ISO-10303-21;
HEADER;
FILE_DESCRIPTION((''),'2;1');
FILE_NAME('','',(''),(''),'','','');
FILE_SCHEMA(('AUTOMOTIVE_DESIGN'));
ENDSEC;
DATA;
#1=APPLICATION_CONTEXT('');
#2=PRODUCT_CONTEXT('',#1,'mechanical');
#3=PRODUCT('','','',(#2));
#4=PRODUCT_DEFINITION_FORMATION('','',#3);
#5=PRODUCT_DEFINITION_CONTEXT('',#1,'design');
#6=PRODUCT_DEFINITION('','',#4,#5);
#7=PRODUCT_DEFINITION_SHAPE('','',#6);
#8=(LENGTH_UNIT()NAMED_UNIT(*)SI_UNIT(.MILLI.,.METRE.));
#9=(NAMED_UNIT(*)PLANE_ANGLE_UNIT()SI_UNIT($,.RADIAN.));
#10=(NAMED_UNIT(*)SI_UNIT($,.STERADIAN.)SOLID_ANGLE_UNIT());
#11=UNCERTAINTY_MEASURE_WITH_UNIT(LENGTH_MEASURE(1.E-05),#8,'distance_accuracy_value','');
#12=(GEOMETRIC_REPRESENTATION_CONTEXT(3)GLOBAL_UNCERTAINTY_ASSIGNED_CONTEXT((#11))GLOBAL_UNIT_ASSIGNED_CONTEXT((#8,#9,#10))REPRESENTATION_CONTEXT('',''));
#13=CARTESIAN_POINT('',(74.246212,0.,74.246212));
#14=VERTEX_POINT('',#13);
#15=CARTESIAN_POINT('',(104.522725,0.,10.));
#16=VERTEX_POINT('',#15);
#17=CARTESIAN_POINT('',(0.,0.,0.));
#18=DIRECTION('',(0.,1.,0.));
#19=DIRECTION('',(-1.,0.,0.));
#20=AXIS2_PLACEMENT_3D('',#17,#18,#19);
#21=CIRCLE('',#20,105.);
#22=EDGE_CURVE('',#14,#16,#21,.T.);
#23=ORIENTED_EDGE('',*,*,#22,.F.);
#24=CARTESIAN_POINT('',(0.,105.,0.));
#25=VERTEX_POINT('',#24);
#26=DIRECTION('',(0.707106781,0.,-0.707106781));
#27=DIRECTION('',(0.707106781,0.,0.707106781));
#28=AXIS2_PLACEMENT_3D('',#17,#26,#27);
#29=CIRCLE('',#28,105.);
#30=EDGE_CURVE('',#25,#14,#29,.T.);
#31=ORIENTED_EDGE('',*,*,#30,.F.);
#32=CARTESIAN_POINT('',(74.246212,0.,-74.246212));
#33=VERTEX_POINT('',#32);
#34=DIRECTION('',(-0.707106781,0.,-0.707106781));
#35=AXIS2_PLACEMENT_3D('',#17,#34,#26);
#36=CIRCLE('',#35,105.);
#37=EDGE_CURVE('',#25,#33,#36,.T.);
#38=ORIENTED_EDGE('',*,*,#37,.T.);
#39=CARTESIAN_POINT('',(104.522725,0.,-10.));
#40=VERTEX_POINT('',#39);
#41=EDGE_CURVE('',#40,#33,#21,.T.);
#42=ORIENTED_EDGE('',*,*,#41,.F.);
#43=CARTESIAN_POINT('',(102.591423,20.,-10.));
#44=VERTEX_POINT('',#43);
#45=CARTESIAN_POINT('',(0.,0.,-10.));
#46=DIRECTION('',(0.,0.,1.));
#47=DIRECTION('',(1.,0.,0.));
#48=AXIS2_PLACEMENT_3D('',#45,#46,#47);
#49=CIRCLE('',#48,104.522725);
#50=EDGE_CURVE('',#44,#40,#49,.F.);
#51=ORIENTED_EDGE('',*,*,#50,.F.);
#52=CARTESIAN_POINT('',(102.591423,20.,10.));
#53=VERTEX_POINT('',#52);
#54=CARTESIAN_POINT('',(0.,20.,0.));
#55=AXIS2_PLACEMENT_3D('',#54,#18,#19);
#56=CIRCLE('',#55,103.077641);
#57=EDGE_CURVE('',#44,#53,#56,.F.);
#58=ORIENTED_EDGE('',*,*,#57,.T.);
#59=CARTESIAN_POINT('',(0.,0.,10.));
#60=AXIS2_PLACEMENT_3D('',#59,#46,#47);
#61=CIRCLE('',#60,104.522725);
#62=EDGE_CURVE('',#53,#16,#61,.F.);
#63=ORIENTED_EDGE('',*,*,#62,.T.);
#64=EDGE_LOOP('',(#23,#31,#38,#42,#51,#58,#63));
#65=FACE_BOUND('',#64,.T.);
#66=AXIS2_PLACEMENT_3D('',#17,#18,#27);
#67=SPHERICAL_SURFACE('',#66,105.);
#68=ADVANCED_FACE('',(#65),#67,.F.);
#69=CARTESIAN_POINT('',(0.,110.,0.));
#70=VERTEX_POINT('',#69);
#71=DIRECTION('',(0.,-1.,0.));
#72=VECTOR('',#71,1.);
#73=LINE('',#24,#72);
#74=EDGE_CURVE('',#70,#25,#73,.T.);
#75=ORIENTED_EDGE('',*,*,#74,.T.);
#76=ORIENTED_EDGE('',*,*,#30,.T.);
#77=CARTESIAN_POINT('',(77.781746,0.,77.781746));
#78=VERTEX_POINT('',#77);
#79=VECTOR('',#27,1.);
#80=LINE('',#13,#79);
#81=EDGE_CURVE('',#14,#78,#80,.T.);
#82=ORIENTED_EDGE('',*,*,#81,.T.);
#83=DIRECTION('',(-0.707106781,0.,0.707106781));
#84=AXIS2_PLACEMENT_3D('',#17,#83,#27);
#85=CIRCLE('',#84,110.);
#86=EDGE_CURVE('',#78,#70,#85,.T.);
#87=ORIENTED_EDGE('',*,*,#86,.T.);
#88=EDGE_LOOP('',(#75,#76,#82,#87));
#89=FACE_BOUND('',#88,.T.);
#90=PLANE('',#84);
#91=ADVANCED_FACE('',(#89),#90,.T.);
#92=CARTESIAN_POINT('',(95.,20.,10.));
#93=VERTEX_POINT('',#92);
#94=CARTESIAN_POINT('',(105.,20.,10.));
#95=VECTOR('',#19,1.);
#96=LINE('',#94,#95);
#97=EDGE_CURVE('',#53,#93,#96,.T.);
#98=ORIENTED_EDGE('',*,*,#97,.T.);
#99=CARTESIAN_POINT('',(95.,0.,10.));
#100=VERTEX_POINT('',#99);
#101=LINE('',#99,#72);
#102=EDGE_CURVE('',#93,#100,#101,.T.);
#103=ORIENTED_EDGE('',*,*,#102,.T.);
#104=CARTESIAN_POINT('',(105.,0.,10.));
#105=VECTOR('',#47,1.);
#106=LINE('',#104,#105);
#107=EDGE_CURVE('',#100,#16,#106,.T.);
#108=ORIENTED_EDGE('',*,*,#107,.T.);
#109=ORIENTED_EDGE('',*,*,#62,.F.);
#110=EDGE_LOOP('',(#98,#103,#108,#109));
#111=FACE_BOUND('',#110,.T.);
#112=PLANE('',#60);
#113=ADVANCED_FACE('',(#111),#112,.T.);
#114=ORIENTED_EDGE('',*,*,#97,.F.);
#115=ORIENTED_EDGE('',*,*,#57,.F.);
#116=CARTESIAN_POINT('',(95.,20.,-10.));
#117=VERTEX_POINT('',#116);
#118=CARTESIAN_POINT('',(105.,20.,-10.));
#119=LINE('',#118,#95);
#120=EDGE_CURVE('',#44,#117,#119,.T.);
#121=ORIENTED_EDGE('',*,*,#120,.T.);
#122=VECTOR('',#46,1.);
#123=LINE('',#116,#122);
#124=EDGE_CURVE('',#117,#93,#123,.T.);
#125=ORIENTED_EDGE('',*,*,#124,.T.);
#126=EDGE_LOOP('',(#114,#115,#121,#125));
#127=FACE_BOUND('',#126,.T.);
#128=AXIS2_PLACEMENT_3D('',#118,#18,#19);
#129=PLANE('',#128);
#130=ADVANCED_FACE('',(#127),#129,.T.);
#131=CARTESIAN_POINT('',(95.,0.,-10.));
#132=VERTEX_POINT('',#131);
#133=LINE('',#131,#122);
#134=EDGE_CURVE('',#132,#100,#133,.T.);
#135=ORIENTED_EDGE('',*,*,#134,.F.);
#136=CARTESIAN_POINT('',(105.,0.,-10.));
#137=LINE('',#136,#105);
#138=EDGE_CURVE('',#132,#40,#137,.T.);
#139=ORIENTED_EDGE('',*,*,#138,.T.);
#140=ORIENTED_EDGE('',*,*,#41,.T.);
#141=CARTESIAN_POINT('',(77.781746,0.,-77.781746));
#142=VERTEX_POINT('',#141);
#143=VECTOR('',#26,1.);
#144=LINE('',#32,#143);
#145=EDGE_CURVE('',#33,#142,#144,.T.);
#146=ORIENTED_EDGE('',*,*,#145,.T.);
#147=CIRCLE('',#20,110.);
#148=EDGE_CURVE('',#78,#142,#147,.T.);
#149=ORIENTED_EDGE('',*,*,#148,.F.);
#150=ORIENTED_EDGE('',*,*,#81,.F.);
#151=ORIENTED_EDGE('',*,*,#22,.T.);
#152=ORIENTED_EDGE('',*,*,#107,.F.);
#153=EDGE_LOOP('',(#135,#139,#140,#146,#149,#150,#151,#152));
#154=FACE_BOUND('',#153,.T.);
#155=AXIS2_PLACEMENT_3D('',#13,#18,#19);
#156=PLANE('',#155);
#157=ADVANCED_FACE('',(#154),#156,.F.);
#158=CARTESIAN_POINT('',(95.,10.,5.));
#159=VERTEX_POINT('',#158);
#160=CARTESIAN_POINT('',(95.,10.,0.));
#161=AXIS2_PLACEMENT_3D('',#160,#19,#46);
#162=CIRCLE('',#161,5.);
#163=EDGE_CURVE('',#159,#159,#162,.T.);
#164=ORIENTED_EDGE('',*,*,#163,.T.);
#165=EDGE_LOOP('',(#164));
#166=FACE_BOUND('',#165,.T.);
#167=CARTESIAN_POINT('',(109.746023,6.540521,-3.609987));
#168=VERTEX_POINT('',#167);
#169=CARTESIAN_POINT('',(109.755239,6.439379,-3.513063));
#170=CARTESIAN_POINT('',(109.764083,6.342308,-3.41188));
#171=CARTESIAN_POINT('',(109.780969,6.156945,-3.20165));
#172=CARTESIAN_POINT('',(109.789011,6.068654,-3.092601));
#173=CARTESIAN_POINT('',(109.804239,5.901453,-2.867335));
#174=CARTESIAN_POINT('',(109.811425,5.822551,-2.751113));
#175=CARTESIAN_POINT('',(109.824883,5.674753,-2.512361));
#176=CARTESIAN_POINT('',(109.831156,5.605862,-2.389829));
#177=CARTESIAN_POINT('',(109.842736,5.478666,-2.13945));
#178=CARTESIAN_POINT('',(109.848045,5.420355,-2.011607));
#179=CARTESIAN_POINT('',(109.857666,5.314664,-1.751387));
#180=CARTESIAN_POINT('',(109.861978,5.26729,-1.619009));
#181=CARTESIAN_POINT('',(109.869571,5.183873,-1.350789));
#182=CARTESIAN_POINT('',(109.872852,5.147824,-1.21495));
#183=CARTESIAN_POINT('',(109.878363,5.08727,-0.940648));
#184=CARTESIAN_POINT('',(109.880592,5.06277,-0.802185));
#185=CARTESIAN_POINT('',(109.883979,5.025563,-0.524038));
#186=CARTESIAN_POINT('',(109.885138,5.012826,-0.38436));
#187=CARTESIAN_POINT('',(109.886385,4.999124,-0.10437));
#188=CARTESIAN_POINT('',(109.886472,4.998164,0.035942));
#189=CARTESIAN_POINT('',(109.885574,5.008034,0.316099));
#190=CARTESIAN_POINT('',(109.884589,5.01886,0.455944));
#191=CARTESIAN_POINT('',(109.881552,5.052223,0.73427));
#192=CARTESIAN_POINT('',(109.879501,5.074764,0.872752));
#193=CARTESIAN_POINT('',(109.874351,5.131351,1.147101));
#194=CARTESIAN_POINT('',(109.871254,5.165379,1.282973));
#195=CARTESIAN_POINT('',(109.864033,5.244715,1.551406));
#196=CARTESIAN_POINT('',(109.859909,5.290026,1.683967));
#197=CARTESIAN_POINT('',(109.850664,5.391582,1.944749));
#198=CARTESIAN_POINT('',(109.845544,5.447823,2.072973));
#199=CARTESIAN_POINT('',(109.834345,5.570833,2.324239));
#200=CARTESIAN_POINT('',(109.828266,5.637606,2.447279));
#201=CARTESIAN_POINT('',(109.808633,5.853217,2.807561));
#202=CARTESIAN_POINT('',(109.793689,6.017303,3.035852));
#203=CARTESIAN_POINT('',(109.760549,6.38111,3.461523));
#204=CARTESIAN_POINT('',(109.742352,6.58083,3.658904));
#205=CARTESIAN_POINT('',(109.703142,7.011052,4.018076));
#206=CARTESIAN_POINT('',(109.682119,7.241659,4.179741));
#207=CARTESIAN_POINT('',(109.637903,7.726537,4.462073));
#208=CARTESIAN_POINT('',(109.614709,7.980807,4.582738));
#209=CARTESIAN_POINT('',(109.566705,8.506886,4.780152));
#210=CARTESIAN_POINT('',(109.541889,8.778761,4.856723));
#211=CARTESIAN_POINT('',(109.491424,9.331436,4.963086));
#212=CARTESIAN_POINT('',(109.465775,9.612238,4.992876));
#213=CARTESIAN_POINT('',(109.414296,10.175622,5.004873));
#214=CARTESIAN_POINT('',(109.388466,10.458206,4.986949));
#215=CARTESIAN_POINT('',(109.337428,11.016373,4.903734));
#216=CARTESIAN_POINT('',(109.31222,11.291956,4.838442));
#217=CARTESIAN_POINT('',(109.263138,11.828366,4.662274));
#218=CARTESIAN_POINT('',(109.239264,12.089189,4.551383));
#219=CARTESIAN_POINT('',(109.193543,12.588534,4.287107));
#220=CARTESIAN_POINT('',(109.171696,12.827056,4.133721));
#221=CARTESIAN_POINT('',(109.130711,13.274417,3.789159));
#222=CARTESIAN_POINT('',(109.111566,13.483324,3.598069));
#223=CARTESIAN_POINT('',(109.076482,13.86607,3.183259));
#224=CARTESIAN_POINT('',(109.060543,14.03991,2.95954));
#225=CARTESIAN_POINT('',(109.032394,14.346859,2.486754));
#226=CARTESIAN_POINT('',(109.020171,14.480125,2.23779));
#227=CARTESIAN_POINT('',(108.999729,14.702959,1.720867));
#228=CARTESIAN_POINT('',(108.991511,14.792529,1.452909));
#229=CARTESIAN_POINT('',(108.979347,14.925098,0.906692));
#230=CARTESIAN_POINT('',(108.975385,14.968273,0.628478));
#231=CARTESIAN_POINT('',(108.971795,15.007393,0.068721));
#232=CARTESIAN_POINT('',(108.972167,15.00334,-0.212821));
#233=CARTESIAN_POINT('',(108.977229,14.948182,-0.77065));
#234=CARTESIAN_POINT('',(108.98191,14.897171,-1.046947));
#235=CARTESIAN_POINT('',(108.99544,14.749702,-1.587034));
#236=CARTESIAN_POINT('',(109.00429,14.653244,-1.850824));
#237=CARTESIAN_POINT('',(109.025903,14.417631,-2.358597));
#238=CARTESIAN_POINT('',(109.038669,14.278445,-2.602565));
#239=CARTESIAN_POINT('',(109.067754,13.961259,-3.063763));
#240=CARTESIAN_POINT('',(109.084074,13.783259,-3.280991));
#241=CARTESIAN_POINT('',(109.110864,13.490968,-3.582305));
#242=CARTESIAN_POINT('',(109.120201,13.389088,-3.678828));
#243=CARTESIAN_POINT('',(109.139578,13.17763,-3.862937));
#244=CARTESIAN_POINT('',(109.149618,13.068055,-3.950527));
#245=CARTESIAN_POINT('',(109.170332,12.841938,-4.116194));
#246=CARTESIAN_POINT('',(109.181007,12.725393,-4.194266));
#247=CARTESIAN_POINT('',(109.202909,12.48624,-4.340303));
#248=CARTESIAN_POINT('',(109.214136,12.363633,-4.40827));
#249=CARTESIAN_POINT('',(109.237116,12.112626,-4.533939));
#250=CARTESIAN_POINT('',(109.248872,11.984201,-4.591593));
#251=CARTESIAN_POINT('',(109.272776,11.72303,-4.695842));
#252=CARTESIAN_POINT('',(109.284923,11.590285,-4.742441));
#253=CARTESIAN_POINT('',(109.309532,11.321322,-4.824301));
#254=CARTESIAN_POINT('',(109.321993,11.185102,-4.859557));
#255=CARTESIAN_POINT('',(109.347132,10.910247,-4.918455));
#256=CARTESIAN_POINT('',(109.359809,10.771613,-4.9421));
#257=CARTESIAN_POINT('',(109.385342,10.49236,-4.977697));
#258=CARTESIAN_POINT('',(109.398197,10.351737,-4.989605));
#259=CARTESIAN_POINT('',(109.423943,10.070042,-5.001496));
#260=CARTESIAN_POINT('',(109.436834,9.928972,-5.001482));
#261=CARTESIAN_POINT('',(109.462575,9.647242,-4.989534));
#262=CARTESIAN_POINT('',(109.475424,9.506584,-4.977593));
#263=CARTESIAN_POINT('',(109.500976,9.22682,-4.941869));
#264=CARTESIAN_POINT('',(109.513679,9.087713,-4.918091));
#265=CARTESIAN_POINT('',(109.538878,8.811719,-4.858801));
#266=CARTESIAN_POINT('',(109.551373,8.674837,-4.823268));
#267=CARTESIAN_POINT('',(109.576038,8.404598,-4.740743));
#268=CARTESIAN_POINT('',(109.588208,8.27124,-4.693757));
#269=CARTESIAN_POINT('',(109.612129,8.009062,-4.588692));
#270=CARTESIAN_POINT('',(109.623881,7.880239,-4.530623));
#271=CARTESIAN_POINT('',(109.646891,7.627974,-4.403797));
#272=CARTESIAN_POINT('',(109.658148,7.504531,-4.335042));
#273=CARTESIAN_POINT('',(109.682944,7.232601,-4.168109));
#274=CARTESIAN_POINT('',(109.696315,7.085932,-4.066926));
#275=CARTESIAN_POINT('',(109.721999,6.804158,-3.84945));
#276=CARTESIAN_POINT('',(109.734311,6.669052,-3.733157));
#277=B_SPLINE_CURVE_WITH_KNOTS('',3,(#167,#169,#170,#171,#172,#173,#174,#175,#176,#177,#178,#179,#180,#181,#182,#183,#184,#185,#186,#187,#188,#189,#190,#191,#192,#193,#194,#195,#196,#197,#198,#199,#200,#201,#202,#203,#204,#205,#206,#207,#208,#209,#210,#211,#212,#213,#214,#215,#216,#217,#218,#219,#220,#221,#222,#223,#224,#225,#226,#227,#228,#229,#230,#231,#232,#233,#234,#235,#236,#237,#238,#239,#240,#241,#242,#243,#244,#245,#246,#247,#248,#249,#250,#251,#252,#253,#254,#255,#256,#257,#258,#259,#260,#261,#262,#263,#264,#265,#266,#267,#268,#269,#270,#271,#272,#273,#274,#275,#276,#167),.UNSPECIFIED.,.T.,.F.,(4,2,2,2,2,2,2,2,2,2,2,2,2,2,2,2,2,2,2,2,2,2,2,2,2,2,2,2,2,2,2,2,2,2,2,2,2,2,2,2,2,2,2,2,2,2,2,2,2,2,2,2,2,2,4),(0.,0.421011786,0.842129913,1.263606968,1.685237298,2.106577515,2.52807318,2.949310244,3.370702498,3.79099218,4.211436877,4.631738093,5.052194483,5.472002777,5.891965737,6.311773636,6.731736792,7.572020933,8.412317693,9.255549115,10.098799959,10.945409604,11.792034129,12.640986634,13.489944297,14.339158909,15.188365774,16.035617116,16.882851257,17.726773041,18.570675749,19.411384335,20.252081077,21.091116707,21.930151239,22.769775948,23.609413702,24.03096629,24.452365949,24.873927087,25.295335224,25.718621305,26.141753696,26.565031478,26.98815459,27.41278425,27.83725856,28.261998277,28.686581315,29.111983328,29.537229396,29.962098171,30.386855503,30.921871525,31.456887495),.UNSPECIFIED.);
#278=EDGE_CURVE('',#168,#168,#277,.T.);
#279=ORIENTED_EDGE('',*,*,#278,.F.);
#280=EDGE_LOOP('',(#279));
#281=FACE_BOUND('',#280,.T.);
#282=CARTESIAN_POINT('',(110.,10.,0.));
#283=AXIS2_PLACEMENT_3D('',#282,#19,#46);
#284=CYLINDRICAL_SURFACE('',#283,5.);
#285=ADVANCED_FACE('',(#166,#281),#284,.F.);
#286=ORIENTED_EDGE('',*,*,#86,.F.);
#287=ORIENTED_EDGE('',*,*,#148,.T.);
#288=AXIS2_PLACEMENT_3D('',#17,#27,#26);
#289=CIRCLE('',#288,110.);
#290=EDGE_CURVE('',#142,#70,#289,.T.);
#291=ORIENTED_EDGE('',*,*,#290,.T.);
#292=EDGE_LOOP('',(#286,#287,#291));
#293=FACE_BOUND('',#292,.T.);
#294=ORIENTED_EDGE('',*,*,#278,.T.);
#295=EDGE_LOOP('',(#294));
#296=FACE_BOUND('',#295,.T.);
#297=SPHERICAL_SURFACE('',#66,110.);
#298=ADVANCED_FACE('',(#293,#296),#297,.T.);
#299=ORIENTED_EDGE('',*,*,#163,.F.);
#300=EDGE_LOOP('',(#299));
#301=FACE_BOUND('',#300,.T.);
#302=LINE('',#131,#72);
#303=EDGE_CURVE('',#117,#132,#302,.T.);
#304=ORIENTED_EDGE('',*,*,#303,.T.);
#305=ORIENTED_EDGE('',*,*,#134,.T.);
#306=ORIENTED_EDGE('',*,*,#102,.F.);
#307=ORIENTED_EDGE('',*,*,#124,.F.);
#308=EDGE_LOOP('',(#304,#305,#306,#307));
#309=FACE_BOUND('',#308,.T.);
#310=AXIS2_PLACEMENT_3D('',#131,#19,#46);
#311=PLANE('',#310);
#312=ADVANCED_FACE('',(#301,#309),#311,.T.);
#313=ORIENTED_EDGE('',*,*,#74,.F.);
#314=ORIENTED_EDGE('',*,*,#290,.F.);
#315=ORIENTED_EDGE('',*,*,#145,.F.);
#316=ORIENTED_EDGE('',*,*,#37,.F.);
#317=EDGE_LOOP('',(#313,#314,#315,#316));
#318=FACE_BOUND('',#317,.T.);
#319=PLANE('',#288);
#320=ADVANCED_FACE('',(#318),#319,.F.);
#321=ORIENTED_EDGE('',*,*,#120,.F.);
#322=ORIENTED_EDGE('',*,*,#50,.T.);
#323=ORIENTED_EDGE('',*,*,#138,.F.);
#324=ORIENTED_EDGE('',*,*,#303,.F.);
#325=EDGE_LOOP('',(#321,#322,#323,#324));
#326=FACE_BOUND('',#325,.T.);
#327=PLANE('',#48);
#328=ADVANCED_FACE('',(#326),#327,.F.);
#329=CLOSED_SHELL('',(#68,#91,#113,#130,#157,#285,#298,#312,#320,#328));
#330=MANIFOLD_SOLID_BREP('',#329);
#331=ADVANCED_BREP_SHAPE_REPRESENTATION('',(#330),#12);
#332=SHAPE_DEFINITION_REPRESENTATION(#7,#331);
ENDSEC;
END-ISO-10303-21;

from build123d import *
from build123d.topology import SkipClean

# Parameters (mm, degrees)
REVOLVE1_ANGLE           = 45
REVOLVE1_OTHER_WAY_ANGLE = 45
BOSS_EXTRUDE1_DEPTH      = 10
BOSS_EXTRUDE1_DEPTH_BACK = 10
SKETCH2_W                = 10
SKETCH2_H                = 20
SKETCH3_R                = 5
CUT_EXTRUDE1_DEPTH       = 165.848415218


with BuildPart() as part:
    # Sketch1 → Revolve1 (revolve)
    with BuildSketch(Plane.XY):
        with BuildLine():
            Line((105, 0), (110, 0))
            ThreePointArc((110, 0), (77.781745931, 77.781745931), (0, 110))
            Line((0, 110), (0, 105))
            ThreePointArc((0, 105), (74.246212025, 74.246212025), (105, 0))
        make_face()
    revolve(axis=Axis((0, 110, 0), (0, -1, 0)), revolution_arc=REVOLVE1_ANGLE)

    # Sketch1 → Revolve1 other way (revolve)
    with SkipClean():  # the faces are left unmerged after this step: merging them gives an invalid solid
        with BuildSketch(Plane.XY):
            with BuildLine():
                Line((105, 0), (110, 0))
                ThreePointArc((110, 0), (77.781745931, 77.781745931), (0, 110))
                Line((0, 110), (0, 105))
                ThreePointArc((0, 105), (74.246212025, 74.246212025), (105, 0))
            make_face()
        revolve(axis=Axis((0, 110, 0), (0, 1, 0)), revolution_arc=REVOLVE1_OTHER_WAY_ANGLE)

    # Sketch2 → Boss-Extrude1 (add, two sides: drawn at the far end of the back side and taken through both)
    with SkipClean():  # the faces are left unmerged after this step: merging them gives an invalid solid
        with BuildSketch(Plane.XY.offset(-BOSS_EXTRUDE1_DEPTH_BACK)):
            with Locations((100, 10)):
                Rectangle(SKETCH2_W, SKETCH2_H)
        extrude(amount=BOSS_EXTRUDE1_DEPTH + BOSS_EXTRUDE1_DEPTH_BACK)

    # Sketch3 → Cut-Extrude1 (cut, through all)
    with SkipClean():  # the faces are left unmerged after this step: merging them gives an invalid solid
        with BuildSketch(Plane.ZY.offset(-95)):
            with Locations((0, 10)):
                Circle(SKETCH3_R)
        extrude(amount=-CUT_EXTRUDE1_DEPTH, mode=Mode.SUBTRACT)


solid = part.part
